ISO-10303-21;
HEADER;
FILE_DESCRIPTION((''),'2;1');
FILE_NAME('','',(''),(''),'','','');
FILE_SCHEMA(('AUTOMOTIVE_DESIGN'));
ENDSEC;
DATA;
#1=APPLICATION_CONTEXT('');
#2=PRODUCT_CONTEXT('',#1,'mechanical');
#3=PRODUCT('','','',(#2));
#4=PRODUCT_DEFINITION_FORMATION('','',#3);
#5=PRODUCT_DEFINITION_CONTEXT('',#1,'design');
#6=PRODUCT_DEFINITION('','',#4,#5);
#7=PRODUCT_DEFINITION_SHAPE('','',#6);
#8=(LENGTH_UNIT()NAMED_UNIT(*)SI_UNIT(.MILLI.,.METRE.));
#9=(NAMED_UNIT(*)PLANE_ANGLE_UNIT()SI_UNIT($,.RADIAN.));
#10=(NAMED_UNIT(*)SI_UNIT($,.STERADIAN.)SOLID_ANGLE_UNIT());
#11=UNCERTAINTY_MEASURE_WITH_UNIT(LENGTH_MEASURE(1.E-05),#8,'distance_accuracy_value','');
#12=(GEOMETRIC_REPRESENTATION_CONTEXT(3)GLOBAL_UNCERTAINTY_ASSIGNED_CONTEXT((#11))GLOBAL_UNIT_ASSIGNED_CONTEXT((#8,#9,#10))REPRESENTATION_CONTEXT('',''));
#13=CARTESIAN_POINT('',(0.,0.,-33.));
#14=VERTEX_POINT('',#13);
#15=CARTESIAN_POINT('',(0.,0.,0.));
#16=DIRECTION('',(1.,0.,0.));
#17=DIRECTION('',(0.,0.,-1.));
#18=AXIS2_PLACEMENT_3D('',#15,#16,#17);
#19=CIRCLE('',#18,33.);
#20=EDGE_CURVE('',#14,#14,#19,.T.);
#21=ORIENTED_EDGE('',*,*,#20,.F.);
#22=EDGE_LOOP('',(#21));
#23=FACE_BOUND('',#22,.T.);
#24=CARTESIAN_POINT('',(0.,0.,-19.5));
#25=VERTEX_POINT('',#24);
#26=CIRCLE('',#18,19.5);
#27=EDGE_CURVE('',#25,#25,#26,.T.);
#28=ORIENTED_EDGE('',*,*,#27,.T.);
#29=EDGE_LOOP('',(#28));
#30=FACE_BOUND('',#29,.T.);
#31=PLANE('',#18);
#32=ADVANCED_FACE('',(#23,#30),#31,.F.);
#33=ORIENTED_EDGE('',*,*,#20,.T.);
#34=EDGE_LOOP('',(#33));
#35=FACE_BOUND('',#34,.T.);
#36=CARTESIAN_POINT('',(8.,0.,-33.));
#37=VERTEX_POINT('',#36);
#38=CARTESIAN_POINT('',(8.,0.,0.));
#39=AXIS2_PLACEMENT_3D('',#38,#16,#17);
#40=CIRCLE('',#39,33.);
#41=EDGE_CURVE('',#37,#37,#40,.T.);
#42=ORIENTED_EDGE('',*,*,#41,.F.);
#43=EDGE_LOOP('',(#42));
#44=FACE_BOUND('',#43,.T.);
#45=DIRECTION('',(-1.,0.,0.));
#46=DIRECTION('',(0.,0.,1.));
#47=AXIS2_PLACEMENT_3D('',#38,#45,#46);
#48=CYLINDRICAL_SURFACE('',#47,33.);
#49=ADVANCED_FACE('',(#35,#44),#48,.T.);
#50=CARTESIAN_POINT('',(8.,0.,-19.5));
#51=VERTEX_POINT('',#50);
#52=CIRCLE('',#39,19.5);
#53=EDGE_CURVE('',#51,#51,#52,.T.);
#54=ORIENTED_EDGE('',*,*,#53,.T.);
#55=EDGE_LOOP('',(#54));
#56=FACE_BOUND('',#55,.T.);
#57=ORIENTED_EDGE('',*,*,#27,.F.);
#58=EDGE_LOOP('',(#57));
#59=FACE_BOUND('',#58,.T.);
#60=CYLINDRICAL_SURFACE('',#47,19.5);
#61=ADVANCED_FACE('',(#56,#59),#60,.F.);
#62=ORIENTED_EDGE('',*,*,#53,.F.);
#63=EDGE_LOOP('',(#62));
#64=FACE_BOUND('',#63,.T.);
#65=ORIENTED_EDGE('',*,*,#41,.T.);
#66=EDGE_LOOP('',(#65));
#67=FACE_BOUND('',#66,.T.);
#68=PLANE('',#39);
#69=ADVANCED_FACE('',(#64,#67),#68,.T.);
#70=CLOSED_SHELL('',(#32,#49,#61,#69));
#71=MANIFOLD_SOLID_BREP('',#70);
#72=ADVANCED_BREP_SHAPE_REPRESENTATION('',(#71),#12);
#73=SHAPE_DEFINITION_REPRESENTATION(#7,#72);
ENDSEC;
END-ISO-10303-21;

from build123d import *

# Parameters (mm, degrees)
SKETCH1_R          = 33
SKETCH1_R_2        = 19.5
BASE_EXTRUDE_DEPTH = 8


with BuildPart() as part:
    # Sketch1 → Base-Extrude (new body)
    with BuildSketch(Plane(origin=(0, 0, 0), x_dir=(0, 0, -1), z_dir=(1, 0, 0))):
        Circle(SKETCH1_R)
        Circle(SKETCH1_R_2, mode=Mode.SUBTRACT)
    extrude(amount=BASE_EXTRUDE_DEPTH)


solid = part.part
